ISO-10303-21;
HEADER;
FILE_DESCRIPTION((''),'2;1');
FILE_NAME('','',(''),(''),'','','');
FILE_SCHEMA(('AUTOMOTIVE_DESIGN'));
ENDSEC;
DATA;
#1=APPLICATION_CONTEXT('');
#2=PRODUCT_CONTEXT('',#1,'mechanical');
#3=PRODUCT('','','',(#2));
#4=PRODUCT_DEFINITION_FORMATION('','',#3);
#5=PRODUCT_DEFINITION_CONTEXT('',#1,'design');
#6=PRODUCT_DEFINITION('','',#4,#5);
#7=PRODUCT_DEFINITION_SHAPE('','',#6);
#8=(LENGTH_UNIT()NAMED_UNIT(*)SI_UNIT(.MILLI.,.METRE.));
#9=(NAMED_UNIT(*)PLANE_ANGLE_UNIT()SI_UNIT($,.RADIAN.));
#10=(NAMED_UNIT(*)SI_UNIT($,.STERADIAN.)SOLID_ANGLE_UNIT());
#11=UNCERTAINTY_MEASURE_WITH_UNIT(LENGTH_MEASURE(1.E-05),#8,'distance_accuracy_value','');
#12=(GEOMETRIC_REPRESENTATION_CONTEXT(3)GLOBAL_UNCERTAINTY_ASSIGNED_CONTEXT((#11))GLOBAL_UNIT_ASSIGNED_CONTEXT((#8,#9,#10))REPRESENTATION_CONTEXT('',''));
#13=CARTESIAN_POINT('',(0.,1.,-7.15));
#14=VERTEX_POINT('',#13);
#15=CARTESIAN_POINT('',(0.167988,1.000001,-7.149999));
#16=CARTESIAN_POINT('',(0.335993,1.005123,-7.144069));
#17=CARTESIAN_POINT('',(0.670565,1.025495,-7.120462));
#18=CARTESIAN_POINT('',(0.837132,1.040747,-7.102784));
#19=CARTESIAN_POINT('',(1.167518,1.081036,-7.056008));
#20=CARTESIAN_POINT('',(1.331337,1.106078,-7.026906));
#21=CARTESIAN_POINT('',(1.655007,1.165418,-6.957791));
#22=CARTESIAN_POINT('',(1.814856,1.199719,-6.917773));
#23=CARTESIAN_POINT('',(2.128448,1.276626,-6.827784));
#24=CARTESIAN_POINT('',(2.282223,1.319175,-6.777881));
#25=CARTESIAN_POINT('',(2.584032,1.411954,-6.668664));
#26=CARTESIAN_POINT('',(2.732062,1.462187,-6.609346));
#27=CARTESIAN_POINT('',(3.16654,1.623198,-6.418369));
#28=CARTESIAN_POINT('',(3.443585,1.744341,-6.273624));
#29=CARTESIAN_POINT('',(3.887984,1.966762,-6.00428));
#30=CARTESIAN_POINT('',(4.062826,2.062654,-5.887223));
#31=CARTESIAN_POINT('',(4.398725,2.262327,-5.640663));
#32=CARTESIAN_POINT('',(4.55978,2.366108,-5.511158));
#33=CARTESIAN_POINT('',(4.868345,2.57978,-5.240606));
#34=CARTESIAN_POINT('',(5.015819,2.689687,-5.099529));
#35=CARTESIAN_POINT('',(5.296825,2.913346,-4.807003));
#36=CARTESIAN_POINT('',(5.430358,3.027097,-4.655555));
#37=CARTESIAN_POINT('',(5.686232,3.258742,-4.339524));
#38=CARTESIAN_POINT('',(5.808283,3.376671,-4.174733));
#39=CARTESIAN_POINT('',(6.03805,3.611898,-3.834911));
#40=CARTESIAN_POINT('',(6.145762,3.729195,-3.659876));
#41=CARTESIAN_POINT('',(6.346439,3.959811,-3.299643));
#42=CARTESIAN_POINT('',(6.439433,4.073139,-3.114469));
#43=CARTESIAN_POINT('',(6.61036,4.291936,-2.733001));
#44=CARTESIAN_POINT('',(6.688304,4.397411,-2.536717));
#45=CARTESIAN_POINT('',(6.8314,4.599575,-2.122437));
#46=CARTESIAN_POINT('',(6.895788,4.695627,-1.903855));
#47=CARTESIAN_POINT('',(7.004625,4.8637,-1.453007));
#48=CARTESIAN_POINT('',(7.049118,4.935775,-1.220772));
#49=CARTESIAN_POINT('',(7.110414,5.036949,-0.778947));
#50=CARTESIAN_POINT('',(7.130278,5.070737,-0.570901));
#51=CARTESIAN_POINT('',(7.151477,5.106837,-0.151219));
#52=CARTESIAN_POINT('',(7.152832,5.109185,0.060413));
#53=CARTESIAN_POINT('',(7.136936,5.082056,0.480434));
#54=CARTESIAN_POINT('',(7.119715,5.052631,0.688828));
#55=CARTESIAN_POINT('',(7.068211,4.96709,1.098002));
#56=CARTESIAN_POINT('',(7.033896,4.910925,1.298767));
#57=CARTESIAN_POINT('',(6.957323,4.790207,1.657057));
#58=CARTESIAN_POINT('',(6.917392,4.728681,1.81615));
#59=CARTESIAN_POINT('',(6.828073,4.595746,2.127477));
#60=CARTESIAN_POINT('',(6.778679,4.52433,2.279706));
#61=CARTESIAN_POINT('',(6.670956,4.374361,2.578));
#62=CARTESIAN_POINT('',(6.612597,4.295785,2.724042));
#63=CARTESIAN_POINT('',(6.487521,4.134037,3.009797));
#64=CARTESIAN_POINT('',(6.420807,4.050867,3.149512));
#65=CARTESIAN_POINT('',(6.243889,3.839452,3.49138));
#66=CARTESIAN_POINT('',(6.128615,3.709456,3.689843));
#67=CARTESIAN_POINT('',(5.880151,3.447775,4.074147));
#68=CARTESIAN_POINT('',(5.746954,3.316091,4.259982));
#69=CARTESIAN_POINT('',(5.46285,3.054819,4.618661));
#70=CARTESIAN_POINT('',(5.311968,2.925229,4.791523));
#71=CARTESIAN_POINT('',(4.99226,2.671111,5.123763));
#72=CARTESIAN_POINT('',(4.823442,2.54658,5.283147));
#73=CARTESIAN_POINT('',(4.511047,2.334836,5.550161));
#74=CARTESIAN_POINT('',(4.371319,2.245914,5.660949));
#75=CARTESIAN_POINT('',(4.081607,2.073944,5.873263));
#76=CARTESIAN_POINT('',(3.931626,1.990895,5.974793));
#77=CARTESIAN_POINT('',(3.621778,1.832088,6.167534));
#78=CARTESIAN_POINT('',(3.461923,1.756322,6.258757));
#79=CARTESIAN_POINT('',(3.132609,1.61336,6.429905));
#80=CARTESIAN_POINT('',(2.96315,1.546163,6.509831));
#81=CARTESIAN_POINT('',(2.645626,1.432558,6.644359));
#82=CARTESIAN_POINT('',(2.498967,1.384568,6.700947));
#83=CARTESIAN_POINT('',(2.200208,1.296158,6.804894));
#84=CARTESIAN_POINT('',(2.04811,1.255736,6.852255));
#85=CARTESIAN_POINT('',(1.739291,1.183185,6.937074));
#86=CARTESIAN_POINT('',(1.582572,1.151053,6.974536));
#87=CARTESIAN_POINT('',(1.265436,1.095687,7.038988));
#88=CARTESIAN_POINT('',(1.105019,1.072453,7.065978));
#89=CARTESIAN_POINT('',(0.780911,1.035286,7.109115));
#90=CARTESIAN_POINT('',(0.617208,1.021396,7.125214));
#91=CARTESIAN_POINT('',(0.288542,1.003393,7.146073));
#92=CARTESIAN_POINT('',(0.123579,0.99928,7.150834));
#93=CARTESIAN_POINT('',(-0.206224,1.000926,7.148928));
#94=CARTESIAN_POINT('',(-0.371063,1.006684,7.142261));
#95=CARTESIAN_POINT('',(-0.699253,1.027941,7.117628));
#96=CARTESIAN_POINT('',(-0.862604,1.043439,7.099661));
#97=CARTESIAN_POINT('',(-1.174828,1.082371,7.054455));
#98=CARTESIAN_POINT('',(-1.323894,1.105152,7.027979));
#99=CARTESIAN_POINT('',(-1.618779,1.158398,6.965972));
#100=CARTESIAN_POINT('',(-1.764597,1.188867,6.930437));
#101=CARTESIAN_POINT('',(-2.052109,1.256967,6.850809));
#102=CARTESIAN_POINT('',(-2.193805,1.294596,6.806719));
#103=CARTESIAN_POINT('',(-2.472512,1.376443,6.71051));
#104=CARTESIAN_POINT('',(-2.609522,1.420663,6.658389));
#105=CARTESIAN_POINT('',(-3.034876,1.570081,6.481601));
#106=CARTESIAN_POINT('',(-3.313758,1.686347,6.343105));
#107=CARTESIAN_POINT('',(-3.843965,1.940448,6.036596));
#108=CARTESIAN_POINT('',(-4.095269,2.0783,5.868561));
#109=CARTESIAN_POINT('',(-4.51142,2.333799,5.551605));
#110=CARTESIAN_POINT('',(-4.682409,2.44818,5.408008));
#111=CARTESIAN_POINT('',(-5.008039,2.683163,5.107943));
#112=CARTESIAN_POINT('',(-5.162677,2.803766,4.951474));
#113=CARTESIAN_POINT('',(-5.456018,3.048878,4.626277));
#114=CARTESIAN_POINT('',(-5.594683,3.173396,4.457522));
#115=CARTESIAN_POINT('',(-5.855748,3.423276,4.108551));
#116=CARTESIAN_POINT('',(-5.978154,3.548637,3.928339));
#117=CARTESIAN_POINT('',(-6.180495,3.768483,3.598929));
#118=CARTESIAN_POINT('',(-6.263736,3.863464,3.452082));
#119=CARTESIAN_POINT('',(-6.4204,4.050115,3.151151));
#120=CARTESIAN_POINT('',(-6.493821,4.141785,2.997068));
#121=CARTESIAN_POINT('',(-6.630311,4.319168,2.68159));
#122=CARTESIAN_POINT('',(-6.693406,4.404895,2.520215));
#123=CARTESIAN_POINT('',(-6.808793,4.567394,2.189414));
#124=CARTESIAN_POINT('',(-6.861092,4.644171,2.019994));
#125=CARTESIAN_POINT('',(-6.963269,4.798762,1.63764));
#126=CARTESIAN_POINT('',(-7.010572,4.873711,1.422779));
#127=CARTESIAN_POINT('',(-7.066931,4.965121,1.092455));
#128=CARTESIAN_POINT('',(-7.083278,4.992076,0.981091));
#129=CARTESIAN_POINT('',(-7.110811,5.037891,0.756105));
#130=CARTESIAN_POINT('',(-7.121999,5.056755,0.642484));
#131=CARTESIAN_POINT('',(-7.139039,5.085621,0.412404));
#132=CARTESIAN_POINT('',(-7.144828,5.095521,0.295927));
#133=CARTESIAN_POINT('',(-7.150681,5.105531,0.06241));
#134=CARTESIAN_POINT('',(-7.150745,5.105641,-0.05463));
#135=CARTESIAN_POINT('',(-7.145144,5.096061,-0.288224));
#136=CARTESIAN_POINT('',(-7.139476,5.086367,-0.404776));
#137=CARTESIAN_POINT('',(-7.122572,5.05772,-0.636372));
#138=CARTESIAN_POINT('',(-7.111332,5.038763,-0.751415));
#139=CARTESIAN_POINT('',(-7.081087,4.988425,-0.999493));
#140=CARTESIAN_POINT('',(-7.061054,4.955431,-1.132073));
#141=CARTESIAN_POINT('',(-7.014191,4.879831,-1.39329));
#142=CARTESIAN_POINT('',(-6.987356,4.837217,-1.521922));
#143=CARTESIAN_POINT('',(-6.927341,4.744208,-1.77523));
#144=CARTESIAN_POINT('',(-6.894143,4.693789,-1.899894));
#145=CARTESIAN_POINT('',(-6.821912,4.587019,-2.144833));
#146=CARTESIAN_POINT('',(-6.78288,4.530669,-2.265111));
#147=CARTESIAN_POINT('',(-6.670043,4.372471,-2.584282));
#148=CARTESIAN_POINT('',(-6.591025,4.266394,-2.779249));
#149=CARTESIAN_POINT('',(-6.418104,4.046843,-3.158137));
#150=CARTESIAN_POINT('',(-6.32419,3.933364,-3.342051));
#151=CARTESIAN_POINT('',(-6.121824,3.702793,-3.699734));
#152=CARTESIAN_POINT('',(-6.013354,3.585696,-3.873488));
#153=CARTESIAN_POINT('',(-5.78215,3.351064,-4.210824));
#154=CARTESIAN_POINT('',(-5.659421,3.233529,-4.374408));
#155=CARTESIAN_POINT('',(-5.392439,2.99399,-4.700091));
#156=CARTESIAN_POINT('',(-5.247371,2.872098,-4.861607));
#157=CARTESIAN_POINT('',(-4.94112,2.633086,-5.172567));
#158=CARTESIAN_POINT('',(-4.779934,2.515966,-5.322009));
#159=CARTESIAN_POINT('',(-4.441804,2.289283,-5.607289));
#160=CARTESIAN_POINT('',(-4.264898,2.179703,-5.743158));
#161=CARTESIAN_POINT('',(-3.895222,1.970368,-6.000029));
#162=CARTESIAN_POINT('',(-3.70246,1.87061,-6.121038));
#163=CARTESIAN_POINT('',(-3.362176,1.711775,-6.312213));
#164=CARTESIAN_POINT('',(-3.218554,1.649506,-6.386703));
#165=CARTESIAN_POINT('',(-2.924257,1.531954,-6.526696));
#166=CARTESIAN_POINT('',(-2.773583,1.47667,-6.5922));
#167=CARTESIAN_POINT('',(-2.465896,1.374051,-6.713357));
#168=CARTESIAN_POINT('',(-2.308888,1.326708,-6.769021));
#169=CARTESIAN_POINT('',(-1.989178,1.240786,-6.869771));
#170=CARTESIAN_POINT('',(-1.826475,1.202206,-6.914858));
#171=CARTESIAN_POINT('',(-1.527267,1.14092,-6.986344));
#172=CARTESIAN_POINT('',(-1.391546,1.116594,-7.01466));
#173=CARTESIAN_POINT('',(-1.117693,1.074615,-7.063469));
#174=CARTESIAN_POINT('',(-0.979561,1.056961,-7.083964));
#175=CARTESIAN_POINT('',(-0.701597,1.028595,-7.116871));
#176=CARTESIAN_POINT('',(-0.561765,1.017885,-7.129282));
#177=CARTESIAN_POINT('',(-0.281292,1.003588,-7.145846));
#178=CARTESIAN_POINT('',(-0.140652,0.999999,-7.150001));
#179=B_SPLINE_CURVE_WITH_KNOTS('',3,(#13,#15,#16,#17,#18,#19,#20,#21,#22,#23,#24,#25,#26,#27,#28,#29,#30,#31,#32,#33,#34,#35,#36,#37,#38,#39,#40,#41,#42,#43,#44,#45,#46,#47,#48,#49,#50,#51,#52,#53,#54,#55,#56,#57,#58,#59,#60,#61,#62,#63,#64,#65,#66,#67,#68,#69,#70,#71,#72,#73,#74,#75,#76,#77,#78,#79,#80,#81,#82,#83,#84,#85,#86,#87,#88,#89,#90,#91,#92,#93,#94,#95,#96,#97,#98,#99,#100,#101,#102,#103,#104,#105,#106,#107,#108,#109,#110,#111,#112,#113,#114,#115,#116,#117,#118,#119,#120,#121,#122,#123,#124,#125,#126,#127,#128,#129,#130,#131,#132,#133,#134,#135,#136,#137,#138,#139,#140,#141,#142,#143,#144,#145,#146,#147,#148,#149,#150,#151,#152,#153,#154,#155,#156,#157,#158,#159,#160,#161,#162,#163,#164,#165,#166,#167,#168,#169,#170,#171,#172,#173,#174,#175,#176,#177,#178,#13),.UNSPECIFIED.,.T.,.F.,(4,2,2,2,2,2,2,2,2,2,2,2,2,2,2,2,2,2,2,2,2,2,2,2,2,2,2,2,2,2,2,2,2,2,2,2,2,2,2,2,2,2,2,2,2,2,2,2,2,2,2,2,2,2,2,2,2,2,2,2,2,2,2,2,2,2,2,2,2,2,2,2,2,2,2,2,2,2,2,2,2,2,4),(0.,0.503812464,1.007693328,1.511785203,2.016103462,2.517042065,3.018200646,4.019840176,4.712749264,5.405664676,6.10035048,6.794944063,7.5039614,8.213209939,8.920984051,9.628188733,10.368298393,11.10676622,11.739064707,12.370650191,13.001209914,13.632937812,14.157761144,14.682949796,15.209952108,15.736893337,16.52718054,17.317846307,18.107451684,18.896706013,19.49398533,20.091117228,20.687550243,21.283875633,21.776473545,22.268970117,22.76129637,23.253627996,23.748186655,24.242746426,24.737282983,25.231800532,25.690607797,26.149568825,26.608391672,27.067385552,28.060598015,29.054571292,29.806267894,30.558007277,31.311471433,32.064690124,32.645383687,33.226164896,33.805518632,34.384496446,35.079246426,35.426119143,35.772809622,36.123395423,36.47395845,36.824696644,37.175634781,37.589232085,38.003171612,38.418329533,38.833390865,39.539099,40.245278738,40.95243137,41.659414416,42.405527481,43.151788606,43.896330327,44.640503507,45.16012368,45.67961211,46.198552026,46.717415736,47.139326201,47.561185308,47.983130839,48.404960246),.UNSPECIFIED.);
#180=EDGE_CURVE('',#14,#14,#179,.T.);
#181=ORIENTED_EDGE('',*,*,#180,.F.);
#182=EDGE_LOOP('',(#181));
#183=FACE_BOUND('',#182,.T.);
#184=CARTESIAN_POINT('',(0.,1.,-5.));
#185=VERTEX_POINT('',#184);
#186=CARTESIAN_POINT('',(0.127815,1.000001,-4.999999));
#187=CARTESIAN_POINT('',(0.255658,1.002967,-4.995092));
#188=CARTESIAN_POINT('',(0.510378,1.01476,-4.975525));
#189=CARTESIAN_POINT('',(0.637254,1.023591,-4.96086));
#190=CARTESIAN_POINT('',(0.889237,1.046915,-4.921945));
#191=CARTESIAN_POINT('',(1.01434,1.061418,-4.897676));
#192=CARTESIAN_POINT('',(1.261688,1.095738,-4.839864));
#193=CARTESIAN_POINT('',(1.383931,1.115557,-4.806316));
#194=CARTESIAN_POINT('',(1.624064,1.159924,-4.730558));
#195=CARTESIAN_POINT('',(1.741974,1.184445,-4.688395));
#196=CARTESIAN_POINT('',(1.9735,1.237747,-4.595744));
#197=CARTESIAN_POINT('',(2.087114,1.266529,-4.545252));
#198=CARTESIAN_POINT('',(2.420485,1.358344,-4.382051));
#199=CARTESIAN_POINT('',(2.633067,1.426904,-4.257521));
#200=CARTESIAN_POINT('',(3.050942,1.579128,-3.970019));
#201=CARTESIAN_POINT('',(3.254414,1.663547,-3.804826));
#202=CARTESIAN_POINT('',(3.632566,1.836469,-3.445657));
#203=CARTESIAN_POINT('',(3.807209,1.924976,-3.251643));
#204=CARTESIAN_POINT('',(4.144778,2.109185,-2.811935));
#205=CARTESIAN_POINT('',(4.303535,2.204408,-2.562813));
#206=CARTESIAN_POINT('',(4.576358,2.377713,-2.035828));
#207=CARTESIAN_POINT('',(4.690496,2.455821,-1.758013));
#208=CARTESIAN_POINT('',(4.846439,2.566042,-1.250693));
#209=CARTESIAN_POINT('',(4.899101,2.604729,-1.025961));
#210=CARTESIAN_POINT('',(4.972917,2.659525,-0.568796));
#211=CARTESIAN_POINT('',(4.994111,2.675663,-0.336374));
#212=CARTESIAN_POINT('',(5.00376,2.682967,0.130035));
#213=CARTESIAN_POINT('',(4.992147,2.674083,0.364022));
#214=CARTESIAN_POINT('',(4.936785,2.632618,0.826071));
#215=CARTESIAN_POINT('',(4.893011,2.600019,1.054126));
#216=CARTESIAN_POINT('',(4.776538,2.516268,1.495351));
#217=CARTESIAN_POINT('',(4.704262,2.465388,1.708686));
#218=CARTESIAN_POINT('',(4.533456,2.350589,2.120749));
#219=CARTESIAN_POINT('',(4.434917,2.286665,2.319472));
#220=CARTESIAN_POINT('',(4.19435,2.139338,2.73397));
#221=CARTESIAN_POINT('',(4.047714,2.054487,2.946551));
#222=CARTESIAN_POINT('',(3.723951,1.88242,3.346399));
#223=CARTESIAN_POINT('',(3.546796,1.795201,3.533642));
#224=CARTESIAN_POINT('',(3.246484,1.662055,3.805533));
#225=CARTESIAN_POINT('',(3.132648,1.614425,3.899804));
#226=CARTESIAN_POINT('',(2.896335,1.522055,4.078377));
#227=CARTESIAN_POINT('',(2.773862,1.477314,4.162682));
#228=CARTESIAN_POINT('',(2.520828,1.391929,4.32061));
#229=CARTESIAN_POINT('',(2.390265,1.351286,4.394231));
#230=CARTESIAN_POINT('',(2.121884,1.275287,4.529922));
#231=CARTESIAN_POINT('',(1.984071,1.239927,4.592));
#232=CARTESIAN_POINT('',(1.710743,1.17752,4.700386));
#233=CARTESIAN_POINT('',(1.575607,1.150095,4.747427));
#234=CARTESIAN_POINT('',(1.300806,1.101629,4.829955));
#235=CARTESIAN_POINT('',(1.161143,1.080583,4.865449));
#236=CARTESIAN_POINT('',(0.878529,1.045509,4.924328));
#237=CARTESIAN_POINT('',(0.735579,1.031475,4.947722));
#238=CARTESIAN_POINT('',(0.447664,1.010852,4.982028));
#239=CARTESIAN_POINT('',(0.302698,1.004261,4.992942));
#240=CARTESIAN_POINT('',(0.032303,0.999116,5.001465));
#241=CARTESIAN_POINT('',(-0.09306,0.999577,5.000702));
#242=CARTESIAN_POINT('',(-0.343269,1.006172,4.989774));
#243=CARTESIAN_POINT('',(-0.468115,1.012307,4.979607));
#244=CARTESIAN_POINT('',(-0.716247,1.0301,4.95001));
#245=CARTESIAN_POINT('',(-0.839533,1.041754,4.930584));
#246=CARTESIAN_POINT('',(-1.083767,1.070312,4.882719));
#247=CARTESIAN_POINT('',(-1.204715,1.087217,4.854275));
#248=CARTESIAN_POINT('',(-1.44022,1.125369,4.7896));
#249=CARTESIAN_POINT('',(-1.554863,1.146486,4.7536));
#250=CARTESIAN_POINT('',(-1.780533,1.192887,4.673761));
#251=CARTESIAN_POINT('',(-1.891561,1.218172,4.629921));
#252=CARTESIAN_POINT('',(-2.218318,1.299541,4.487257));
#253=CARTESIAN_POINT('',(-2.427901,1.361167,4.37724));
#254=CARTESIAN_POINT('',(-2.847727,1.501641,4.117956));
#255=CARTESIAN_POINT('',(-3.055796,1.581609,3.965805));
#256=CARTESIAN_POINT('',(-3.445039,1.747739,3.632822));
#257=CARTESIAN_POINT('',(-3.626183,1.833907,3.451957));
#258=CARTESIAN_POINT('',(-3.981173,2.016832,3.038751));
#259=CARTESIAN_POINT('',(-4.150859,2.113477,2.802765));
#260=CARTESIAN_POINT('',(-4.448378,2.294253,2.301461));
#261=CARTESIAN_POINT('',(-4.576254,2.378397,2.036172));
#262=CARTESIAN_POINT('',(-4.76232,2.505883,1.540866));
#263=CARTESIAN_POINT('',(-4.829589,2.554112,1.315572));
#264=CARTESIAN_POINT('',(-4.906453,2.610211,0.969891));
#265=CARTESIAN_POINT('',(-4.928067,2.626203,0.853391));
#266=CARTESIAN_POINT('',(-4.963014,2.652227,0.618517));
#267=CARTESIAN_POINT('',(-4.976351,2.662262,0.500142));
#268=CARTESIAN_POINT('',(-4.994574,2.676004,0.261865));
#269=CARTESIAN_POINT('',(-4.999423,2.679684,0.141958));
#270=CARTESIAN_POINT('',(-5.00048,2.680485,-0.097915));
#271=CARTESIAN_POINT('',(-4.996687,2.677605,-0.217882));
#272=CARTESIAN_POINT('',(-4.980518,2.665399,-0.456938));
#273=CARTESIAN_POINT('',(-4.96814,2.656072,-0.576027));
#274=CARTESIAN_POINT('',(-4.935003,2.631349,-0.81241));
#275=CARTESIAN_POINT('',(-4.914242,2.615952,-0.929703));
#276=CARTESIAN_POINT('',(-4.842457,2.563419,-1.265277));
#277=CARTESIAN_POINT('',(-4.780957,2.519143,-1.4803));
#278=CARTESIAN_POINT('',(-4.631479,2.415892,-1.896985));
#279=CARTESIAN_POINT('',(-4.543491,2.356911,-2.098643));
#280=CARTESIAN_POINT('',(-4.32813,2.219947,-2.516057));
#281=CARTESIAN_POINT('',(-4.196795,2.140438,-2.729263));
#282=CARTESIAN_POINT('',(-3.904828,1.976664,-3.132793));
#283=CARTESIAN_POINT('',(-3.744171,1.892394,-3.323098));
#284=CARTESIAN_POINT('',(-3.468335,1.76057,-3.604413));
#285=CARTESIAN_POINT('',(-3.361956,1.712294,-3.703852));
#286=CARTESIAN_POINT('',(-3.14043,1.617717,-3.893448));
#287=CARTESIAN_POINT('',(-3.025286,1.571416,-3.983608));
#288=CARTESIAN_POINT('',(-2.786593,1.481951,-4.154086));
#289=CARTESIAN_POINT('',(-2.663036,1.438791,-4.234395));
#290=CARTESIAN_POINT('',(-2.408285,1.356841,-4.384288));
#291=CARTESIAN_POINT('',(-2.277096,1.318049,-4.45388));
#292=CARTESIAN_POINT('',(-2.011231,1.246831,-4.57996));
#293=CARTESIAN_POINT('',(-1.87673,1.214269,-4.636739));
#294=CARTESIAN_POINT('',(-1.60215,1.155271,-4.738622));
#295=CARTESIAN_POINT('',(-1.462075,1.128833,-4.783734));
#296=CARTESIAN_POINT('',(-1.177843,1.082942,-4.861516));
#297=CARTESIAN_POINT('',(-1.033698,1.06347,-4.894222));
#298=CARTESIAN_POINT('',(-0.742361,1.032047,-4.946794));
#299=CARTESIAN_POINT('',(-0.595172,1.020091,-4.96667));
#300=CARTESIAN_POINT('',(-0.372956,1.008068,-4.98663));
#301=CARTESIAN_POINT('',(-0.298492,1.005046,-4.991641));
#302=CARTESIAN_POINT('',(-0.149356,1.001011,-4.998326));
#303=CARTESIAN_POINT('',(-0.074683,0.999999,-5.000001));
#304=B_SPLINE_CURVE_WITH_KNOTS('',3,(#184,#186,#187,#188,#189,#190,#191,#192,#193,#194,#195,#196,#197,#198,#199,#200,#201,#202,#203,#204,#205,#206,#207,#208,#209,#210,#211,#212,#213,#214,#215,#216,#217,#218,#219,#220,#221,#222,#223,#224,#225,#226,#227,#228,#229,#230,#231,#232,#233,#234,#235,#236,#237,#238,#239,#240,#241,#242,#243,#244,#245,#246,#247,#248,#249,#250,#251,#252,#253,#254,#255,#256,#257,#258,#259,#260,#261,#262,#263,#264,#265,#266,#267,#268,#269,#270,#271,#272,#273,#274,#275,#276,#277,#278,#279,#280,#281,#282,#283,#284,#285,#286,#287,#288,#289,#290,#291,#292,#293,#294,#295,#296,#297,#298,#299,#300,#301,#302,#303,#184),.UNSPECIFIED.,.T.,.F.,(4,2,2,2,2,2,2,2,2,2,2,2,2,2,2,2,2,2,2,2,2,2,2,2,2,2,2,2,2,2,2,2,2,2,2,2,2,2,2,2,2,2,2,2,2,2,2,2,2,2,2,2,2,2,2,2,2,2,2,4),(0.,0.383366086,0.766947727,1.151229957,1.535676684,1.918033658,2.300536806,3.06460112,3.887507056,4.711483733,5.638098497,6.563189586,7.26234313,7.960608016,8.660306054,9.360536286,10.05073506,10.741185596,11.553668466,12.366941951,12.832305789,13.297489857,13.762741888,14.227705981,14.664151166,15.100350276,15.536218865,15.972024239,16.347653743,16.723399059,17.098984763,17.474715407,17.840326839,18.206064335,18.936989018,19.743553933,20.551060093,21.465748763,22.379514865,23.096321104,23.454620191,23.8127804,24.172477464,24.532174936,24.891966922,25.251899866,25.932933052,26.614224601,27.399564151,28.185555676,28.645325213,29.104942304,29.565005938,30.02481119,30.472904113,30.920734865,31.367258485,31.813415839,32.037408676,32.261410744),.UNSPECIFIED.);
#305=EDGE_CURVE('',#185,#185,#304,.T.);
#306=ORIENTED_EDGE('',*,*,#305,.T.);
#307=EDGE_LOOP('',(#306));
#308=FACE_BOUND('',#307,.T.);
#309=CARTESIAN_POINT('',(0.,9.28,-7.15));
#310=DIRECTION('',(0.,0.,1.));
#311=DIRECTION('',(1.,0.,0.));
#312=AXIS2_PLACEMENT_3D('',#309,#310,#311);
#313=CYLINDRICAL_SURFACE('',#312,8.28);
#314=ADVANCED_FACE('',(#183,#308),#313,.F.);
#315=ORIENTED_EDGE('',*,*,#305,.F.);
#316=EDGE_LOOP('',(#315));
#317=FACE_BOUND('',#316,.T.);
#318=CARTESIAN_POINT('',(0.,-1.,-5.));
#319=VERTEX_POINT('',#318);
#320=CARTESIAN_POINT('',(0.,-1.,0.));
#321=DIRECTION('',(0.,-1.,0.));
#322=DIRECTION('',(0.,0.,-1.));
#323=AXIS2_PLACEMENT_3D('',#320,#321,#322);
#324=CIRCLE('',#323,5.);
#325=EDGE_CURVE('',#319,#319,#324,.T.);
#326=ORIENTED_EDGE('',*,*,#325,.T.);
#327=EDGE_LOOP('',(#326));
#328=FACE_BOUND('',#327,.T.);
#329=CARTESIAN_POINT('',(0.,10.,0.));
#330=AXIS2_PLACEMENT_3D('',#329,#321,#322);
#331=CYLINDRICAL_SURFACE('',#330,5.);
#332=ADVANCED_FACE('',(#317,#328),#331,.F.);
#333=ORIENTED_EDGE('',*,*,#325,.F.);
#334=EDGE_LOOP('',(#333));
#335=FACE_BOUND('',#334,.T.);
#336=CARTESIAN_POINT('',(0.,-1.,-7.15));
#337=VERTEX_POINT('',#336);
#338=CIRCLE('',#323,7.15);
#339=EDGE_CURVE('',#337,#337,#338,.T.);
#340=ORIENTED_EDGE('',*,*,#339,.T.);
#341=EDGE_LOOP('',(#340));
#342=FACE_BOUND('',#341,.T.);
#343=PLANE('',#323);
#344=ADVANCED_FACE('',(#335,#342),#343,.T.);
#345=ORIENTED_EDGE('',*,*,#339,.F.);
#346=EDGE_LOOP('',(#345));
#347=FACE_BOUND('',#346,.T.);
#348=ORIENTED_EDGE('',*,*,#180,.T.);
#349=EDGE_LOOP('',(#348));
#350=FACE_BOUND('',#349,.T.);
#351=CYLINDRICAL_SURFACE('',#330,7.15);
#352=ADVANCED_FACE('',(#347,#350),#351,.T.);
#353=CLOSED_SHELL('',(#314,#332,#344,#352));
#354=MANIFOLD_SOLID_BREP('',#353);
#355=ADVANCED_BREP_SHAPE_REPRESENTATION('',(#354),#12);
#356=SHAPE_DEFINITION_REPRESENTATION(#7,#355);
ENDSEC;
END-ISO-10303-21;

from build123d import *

# Parameters (mm, degrees)
SKETCH1_R               = 7.15
SKETCH1_R_2             = 5
BOSS_EXTRUDE1_DEPTH     = 10
CUT_EXTRUDE1_DEPTH      = 15.221286862
CUT_EXTRUDE1_DEPTH_BACK = 15.221286862
SKETCH2_R               = 8.28
BOSS_EXTRUDE2_START     = 1
SKETCH3_R               = 7.15
SKETCH3_R_2             = 5
BOSS_EXTRUDE2_DEPTH     = 1


with BuildPart() as part:
    # Sketch1 → Boss-Extrude1 (new body)
    with BuildSketch(Plane(origin=(0, 0, 0), x_dir=(1, 0, 0), z_dir=(0, 1, 0))):
        with Locations(Location((0, 0, 0), (0, 0, 270))):
            Circle(SKETCH1_R)
        with Locations(Location((0, 0, 0), (0, 0, 270))):
            Circle(SKETCH1_R_2, mode=Mode.SUBTRACT)
    extrude(amount=BOSS_EXTRUDE1_DEPTH)

    # Sketch2 → Cut-Extrude1 (cut, two sides: drawn at the far end of the back side and taken through both)
    with BuildSketch(Plane.XY.offset(-CUT_EXTRUDE1_DEPTH_BACK)):
        with Locations((0, 9.28)):
            Circle(SKETCH2_R)
    extrude(amount=CUT_EXTRUDE1_DEPTH + CUT_EXTRUDE1_DEPTH_BACK, mode=Mode.SUBTRACT)

    # Sketch3 → Boss-Extrude2 (add)
    with BuildSketch(Plane.XZ.offset(BOSS_EXTRUDE2_START)):
        with Locations(Location((0, 0, 0), (0, 0, 270))):
            Circle(SKETCH3_R)
        with Locations(Location((0, 0, 0), (0, 0, 270))):
            Circle(SKETCH3_R_2, mode=Mode.SUBTRACT)
    extrude(amount=-BOSS_EXTRUDE2_DEPTH)


solid = part.part
